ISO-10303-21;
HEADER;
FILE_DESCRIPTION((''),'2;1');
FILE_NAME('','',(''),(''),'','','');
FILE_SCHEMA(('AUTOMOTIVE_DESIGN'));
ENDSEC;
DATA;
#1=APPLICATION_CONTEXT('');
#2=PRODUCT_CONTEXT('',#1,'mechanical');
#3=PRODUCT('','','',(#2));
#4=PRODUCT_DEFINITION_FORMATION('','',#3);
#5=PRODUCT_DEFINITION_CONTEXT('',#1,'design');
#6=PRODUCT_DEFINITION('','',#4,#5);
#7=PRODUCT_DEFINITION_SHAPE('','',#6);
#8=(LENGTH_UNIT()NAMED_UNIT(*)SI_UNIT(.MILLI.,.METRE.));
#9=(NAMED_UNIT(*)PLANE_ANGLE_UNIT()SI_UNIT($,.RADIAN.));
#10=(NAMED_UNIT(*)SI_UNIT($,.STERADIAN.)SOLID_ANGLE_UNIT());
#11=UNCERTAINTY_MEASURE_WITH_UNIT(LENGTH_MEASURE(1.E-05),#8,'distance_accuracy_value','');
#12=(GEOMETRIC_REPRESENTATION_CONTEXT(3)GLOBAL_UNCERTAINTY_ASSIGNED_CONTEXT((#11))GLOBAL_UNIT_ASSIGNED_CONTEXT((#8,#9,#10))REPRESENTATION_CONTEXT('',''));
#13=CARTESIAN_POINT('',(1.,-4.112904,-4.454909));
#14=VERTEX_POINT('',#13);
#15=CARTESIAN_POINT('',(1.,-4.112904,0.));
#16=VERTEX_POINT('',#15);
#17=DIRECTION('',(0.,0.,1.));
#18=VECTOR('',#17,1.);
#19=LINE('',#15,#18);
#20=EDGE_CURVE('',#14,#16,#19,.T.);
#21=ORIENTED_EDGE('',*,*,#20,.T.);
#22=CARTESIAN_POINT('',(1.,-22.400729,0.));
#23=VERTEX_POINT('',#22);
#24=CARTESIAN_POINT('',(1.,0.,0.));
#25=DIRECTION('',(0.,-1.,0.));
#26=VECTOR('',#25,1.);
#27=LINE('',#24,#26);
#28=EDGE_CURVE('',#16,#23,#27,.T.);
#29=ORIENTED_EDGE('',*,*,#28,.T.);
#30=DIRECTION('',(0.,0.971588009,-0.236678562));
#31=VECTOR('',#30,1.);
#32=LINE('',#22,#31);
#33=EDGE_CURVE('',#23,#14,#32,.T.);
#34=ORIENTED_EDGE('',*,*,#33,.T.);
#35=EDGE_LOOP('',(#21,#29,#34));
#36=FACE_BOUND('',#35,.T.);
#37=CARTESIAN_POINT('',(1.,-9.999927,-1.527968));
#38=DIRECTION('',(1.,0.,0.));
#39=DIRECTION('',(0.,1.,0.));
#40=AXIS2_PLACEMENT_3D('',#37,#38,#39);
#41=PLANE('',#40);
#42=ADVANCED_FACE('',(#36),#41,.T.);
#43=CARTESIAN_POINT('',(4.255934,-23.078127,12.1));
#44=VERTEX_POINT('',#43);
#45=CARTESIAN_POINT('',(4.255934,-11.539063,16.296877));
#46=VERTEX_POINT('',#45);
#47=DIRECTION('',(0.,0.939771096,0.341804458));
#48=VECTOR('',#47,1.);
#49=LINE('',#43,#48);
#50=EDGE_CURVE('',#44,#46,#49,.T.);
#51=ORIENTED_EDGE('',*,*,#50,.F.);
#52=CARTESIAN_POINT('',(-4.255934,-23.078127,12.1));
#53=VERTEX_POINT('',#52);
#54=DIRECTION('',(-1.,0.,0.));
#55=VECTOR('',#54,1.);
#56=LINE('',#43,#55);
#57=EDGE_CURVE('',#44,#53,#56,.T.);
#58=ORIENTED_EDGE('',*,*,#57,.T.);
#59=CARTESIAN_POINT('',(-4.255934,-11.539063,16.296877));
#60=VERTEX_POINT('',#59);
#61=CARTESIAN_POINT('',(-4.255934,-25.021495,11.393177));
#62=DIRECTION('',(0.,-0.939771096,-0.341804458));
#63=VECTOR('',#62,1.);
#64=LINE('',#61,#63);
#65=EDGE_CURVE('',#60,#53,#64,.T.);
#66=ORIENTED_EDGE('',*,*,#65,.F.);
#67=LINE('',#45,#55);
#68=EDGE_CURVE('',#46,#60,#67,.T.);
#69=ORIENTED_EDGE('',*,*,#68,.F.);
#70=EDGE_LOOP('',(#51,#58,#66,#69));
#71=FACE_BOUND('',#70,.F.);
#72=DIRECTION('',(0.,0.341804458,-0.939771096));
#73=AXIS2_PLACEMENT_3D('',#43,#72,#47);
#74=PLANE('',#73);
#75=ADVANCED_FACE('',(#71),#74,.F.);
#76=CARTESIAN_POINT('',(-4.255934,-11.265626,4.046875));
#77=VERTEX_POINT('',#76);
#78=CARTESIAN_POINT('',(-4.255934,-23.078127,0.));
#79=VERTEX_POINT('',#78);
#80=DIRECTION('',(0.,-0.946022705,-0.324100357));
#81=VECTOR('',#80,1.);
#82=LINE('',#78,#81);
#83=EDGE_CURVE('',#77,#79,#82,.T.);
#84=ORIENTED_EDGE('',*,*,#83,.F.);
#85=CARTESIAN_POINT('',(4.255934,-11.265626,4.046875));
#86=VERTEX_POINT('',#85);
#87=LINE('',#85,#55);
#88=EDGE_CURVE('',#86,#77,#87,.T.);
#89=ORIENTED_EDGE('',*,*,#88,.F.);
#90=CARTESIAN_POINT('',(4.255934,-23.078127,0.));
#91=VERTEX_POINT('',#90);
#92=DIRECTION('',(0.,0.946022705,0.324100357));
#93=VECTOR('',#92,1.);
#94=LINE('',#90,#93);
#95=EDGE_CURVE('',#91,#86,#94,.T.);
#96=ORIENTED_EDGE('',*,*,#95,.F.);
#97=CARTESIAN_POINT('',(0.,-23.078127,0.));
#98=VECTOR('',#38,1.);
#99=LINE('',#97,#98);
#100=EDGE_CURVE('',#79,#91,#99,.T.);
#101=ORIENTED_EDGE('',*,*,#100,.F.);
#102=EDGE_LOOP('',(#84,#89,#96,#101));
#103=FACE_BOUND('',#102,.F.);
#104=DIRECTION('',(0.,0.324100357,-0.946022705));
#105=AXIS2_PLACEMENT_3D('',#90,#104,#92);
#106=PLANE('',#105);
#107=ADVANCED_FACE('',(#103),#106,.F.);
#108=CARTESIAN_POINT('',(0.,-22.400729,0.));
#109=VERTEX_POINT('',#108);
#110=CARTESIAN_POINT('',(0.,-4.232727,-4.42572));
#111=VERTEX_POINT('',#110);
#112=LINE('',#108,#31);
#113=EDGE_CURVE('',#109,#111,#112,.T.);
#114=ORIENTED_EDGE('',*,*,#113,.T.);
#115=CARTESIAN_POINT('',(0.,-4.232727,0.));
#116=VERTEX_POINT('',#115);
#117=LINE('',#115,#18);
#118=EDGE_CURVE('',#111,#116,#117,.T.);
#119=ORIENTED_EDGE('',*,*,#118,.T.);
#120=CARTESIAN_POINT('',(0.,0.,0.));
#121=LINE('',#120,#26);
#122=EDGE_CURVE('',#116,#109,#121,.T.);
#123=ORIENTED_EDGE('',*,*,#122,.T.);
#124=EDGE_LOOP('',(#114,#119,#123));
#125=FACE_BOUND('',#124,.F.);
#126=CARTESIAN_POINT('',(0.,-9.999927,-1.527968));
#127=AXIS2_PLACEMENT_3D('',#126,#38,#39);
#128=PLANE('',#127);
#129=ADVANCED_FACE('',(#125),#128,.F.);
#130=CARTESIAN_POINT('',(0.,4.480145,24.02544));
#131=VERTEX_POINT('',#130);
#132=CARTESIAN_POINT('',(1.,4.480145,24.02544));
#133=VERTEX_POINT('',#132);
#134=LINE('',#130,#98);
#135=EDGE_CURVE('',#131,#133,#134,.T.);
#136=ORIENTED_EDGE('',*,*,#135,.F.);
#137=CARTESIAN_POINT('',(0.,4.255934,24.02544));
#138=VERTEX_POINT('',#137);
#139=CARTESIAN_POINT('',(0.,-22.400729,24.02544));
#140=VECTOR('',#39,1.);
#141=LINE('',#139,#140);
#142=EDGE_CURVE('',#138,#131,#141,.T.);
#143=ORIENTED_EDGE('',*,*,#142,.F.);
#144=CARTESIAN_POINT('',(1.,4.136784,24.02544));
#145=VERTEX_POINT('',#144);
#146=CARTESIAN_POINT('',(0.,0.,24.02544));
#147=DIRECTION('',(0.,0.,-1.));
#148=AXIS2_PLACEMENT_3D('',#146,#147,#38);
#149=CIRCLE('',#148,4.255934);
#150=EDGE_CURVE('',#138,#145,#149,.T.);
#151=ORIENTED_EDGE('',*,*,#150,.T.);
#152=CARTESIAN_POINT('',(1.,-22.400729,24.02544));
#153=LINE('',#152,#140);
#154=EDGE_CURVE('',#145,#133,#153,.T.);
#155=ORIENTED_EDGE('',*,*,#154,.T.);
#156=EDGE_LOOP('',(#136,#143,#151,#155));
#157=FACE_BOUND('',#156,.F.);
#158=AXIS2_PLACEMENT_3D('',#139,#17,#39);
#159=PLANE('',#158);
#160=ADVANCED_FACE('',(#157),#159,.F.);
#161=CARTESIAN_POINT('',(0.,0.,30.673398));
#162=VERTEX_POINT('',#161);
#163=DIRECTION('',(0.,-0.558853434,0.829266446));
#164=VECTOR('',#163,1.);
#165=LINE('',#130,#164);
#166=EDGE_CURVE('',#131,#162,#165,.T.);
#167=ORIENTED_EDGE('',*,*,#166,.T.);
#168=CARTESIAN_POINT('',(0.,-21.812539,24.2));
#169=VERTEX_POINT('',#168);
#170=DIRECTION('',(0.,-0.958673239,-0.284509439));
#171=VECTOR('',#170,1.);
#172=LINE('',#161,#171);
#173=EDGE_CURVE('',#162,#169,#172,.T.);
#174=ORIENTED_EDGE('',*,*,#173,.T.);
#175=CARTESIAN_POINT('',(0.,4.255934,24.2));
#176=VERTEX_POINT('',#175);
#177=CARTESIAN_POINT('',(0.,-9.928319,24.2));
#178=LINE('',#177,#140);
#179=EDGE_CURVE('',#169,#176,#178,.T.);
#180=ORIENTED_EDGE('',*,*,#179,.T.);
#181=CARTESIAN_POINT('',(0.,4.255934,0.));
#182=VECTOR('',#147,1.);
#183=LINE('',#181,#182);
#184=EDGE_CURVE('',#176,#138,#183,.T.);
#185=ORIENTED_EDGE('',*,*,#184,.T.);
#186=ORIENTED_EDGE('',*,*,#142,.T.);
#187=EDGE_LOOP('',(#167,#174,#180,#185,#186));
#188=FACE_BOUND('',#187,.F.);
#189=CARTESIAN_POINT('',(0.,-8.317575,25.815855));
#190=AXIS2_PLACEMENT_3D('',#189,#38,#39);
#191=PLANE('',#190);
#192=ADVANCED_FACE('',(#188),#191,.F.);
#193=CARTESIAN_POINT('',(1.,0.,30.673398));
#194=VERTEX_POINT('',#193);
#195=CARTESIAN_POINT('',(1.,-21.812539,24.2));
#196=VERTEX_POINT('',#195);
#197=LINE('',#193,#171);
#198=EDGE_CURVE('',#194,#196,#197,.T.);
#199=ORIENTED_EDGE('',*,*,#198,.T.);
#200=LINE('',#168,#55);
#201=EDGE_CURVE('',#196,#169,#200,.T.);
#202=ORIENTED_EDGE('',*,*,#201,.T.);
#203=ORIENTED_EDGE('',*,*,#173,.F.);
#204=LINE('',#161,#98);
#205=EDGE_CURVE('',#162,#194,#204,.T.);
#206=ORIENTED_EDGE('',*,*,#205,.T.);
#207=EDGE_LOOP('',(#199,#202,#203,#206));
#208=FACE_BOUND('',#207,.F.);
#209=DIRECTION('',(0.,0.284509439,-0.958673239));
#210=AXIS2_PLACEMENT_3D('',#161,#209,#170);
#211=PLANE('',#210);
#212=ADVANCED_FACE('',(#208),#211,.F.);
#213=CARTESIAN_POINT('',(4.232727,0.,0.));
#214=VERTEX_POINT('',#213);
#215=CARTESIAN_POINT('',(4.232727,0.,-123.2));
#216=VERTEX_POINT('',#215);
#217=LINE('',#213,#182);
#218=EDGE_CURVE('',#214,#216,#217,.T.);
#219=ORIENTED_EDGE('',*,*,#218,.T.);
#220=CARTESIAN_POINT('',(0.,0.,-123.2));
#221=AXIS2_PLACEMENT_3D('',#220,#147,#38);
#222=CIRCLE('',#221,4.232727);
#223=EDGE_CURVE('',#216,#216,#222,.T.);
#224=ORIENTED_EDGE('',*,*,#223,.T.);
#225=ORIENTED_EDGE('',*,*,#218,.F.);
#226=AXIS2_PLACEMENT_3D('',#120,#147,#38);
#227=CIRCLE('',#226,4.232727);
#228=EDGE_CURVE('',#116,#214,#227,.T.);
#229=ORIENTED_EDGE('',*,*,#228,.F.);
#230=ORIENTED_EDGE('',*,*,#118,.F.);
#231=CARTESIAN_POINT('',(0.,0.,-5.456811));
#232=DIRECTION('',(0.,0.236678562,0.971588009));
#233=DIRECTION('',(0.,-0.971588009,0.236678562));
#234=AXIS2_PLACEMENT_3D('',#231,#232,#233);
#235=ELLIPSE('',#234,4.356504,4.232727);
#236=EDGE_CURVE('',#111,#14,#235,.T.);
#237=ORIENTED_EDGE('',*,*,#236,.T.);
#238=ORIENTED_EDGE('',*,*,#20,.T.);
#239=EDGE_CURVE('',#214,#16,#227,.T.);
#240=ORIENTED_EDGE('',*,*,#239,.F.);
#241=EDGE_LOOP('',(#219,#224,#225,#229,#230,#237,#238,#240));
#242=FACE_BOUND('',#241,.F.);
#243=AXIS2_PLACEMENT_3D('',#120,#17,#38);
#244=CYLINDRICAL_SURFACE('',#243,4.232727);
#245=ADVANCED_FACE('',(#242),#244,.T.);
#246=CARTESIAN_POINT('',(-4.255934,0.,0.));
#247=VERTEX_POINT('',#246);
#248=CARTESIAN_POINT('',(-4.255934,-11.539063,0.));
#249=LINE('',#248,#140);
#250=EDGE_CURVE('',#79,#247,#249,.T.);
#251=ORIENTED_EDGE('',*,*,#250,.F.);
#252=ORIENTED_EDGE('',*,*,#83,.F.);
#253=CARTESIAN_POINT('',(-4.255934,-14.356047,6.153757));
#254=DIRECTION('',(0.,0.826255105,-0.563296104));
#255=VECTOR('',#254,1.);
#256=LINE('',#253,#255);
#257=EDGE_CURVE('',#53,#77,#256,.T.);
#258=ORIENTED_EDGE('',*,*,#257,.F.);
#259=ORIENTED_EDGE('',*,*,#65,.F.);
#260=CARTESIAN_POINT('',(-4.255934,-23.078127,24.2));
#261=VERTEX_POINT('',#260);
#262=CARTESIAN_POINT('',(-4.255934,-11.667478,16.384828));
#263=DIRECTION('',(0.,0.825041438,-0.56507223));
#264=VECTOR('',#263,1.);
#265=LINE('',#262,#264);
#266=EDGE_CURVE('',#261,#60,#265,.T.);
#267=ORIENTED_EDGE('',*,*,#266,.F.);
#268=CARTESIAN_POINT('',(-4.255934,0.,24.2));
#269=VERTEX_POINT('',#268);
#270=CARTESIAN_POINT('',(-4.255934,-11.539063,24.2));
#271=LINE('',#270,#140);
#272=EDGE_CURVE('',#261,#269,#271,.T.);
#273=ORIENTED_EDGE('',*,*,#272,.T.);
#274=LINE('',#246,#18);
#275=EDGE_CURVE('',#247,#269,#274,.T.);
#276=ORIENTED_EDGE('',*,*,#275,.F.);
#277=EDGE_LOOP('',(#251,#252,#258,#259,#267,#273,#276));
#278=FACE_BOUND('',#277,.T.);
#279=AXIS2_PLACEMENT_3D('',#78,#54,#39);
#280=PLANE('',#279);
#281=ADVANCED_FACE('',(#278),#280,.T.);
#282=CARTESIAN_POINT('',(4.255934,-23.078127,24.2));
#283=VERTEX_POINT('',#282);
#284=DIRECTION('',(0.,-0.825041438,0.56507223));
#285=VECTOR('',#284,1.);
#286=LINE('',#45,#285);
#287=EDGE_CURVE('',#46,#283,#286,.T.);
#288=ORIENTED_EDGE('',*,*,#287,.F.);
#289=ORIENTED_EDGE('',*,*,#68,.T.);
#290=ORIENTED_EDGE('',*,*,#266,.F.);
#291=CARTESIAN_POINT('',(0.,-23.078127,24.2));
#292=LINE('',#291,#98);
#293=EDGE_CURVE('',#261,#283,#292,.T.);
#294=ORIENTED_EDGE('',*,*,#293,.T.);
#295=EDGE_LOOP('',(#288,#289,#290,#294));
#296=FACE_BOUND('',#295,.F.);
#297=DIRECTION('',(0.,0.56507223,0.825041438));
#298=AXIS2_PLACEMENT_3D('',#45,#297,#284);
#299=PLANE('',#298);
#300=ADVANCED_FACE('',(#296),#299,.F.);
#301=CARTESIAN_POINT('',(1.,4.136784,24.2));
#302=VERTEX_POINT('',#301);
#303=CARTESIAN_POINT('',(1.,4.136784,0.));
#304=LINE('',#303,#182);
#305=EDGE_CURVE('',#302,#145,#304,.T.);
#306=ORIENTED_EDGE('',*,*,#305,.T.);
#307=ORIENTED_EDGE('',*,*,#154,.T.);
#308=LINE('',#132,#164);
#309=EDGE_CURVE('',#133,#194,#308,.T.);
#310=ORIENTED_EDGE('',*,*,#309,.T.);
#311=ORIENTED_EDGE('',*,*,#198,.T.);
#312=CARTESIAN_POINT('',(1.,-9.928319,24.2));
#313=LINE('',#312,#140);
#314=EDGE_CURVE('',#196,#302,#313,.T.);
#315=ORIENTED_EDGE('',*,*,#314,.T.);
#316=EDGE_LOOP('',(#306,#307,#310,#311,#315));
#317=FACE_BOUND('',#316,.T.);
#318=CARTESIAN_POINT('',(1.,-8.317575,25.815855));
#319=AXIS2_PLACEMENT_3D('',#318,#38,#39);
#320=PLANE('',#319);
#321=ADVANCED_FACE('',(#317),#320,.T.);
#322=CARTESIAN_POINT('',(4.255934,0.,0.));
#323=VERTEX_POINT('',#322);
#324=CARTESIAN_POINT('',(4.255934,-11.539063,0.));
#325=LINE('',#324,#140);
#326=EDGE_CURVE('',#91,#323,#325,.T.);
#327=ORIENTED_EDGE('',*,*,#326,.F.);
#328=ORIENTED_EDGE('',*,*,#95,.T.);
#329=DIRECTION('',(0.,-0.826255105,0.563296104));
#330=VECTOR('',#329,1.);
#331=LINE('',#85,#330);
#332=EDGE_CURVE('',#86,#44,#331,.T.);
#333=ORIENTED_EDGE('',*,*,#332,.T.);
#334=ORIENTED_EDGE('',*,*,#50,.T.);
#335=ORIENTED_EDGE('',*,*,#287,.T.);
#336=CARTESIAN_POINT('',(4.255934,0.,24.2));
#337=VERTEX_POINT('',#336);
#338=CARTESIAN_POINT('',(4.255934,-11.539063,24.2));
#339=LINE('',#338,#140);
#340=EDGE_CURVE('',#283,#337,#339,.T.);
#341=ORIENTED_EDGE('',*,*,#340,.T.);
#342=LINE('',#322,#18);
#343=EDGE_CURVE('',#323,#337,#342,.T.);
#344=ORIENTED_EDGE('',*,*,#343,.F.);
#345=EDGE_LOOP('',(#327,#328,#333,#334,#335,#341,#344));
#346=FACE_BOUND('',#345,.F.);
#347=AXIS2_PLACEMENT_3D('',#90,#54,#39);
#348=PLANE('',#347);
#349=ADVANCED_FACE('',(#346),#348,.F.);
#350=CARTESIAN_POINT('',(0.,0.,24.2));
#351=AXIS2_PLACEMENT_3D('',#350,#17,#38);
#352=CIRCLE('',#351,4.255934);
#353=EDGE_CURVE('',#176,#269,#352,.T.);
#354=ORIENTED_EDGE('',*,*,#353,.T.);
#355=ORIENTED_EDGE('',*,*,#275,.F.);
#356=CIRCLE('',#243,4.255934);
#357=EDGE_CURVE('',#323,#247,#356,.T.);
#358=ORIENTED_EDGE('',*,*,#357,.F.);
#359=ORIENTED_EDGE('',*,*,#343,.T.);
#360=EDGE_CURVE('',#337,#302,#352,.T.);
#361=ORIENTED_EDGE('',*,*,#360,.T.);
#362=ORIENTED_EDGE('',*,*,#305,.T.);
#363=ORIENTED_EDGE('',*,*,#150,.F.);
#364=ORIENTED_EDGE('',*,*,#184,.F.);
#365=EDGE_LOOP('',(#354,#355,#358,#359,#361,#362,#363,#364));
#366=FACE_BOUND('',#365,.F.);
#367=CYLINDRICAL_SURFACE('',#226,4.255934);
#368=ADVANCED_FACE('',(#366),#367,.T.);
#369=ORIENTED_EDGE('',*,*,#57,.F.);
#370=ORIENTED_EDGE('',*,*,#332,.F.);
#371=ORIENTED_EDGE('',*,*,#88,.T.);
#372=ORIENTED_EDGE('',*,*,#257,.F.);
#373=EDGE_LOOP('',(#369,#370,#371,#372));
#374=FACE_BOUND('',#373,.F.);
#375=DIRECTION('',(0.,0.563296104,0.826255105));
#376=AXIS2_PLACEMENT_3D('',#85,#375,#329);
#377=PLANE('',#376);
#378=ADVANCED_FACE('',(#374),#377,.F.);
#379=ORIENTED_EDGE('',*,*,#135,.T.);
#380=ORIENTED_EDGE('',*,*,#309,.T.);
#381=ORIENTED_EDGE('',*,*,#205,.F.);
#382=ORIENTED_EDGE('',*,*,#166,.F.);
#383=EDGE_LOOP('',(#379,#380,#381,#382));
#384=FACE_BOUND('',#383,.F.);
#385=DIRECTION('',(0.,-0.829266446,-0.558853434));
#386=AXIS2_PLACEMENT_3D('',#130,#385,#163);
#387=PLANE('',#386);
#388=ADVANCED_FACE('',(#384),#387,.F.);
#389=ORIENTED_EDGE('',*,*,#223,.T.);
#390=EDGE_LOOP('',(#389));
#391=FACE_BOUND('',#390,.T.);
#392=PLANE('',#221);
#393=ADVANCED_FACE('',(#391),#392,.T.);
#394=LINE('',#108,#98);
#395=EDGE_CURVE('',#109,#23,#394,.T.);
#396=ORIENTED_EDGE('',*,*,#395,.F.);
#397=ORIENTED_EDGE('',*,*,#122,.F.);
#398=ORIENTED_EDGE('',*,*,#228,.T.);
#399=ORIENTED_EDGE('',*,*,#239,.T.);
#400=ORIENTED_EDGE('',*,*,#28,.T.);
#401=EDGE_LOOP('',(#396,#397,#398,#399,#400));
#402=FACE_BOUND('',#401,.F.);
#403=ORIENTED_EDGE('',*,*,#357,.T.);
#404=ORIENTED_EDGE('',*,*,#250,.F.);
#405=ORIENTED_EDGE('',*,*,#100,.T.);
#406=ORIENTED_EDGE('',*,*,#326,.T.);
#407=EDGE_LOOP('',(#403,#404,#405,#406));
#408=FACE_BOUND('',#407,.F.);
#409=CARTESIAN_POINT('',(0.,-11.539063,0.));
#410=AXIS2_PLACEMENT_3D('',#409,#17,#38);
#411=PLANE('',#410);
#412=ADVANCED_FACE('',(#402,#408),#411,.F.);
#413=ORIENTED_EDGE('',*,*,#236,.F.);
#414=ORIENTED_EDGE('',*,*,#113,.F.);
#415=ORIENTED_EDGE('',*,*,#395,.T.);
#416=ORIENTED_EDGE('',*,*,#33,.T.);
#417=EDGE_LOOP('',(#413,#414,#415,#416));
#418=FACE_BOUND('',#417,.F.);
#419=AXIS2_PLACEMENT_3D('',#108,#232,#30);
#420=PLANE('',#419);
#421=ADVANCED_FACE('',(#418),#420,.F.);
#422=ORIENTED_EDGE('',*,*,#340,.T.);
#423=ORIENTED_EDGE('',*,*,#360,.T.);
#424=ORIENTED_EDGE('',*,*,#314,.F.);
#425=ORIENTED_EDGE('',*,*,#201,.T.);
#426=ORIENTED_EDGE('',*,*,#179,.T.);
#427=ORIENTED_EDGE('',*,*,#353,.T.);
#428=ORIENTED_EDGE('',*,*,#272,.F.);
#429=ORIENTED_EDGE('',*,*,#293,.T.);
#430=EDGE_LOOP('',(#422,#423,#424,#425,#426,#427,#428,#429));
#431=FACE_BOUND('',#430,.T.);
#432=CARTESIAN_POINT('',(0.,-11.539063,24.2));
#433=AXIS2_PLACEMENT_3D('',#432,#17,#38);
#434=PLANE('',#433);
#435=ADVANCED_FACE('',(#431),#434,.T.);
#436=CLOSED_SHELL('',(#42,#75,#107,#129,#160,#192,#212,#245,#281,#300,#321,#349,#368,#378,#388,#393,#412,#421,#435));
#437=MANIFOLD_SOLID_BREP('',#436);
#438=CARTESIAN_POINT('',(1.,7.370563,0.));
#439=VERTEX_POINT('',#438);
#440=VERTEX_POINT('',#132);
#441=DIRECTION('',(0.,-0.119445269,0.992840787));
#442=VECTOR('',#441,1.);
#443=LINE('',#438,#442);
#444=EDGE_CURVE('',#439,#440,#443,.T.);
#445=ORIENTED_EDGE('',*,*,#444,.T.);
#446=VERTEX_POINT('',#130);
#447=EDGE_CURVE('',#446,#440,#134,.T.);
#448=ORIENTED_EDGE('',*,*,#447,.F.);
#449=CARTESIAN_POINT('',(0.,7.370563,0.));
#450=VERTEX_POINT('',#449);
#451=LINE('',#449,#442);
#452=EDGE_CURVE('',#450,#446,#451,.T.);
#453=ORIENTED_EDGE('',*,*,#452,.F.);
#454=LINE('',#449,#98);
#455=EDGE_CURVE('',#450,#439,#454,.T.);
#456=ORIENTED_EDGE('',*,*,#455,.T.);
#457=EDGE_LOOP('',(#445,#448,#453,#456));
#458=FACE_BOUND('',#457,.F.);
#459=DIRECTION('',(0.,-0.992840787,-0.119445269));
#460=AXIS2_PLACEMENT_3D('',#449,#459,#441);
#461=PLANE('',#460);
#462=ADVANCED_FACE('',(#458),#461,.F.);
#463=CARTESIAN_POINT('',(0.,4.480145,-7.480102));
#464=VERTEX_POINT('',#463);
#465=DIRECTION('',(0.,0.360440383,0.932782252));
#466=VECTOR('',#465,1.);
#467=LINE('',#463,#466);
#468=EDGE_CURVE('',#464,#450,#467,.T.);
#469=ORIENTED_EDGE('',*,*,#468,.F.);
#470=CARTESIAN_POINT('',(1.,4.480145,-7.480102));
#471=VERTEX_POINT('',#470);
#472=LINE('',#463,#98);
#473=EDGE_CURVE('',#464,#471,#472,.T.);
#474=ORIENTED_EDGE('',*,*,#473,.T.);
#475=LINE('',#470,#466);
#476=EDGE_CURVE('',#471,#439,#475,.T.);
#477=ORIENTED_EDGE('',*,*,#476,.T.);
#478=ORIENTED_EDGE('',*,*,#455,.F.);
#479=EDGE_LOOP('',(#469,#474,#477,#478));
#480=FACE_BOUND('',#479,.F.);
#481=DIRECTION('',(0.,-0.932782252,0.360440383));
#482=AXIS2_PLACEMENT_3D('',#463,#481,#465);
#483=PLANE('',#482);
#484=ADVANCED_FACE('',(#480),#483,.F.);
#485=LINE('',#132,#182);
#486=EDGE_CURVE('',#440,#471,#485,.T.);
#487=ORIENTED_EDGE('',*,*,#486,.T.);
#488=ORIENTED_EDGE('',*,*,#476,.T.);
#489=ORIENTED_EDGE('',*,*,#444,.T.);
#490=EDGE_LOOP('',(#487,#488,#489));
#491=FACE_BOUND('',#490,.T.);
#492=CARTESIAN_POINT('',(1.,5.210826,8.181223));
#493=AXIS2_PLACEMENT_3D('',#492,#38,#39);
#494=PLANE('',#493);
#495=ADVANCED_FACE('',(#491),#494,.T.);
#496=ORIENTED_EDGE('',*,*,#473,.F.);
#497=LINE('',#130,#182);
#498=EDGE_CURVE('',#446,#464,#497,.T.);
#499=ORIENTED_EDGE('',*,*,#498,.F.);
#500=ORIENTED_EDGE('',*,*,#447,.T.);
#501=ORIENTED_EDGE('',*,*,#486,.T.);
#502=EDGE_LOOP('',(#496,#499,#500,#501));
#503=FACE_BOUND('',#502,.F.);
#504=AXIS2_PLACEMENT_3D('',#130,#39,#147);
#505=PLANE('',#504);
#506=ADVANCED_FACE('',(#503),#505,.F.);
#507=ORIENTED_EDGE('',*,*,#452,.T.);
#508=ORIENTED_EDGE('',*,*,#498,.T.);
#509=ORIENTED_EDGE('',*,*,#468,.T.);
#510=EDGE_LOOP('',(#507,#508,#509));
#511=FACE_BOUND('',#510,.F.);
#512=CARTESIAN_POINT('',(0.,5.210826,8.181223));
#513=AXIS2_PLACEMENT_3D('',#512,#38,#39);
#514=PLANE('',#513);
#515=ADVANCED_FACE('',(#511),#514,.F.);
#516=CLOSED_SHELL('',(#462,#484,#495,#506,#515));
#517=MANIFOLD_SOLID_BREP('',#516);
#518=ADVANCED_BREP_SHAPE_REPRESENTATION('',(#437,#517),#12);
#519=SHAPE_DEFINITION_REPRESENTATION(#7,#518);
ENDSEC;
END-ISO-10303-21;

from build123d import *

# Parameters (mm, degrees)
F0_W     = 8.511868917
F0_H     = 23.0781268328
F1_DEPTH = 24.2
F3_DEPTH = 25
F4_R     = 4.2327268103
F5_DEPTH = 123.2
F7_DEPTH = 1


with BuildPart() as f1:
    # F0 (on Top) → F1 (new body)
    with BuildSketch(Plane.XY):
        with Locations((0, -11.5390634164)):
            Rectangle(F0_W, F0_H)
        with BuildLine():
            Line((-4.2559344585, 0), (4.2559344585, 0))
            ThreePointArc((4.2559344585, 0), (0, 4.2559344585), (-4.2559344585, 0))
        make_face()
    extrude(amount=F1_DEPTH)

    # F2 (on face) → F3 (cut)
    with BuildSketch(Plane.YZ.offset(4.2559344585)):
        Polygon((-11.5390634164, 16.2968765944), (-23.0781268328, 24.2), (-23.0781268328, 12.1), align=None)
        Polygon((-11.2656261772, 4.0468750522), (-23.0781268328, 12.1), (-23.0781268328, 0), align=None)
    extrude(amount=-F3_DEPTH, mode=Mode.SUBTRACT)

    # F4 (on face) → F5 (join)
    with BuildSketch(Plane(origin=(0, 0, 0), x_dir=(1, 0, 0), z_dir=(0, 0, -1))):
        Circle(F4_R)
    extrude(amount=F5_DEPTH)

    # F6 (on Right) → F7 (join)
    with BuildSketch(Plane.YZ):
        Polygon((0, 30.673397705), (-22.4007293582, 24.0254402161), (4.4801449403, 24.0254402161), align=None)
        Polygon((0, 0), (-22.4007293582, 0), (0, -5.4568112828), align=None)
    extrude(amount=F7_DEPTH)

    # F6 (on Right) → F7, piece 2 (join)
    with BuildSketch(Plane.YZ):
        Polygon((7.370563224, 0), (4.4801449403, 24.0254402161), (4.4801449403, -7.4801021256), align=None)
    extrude(amount=F7_DEPTH)


solid = f1.part
